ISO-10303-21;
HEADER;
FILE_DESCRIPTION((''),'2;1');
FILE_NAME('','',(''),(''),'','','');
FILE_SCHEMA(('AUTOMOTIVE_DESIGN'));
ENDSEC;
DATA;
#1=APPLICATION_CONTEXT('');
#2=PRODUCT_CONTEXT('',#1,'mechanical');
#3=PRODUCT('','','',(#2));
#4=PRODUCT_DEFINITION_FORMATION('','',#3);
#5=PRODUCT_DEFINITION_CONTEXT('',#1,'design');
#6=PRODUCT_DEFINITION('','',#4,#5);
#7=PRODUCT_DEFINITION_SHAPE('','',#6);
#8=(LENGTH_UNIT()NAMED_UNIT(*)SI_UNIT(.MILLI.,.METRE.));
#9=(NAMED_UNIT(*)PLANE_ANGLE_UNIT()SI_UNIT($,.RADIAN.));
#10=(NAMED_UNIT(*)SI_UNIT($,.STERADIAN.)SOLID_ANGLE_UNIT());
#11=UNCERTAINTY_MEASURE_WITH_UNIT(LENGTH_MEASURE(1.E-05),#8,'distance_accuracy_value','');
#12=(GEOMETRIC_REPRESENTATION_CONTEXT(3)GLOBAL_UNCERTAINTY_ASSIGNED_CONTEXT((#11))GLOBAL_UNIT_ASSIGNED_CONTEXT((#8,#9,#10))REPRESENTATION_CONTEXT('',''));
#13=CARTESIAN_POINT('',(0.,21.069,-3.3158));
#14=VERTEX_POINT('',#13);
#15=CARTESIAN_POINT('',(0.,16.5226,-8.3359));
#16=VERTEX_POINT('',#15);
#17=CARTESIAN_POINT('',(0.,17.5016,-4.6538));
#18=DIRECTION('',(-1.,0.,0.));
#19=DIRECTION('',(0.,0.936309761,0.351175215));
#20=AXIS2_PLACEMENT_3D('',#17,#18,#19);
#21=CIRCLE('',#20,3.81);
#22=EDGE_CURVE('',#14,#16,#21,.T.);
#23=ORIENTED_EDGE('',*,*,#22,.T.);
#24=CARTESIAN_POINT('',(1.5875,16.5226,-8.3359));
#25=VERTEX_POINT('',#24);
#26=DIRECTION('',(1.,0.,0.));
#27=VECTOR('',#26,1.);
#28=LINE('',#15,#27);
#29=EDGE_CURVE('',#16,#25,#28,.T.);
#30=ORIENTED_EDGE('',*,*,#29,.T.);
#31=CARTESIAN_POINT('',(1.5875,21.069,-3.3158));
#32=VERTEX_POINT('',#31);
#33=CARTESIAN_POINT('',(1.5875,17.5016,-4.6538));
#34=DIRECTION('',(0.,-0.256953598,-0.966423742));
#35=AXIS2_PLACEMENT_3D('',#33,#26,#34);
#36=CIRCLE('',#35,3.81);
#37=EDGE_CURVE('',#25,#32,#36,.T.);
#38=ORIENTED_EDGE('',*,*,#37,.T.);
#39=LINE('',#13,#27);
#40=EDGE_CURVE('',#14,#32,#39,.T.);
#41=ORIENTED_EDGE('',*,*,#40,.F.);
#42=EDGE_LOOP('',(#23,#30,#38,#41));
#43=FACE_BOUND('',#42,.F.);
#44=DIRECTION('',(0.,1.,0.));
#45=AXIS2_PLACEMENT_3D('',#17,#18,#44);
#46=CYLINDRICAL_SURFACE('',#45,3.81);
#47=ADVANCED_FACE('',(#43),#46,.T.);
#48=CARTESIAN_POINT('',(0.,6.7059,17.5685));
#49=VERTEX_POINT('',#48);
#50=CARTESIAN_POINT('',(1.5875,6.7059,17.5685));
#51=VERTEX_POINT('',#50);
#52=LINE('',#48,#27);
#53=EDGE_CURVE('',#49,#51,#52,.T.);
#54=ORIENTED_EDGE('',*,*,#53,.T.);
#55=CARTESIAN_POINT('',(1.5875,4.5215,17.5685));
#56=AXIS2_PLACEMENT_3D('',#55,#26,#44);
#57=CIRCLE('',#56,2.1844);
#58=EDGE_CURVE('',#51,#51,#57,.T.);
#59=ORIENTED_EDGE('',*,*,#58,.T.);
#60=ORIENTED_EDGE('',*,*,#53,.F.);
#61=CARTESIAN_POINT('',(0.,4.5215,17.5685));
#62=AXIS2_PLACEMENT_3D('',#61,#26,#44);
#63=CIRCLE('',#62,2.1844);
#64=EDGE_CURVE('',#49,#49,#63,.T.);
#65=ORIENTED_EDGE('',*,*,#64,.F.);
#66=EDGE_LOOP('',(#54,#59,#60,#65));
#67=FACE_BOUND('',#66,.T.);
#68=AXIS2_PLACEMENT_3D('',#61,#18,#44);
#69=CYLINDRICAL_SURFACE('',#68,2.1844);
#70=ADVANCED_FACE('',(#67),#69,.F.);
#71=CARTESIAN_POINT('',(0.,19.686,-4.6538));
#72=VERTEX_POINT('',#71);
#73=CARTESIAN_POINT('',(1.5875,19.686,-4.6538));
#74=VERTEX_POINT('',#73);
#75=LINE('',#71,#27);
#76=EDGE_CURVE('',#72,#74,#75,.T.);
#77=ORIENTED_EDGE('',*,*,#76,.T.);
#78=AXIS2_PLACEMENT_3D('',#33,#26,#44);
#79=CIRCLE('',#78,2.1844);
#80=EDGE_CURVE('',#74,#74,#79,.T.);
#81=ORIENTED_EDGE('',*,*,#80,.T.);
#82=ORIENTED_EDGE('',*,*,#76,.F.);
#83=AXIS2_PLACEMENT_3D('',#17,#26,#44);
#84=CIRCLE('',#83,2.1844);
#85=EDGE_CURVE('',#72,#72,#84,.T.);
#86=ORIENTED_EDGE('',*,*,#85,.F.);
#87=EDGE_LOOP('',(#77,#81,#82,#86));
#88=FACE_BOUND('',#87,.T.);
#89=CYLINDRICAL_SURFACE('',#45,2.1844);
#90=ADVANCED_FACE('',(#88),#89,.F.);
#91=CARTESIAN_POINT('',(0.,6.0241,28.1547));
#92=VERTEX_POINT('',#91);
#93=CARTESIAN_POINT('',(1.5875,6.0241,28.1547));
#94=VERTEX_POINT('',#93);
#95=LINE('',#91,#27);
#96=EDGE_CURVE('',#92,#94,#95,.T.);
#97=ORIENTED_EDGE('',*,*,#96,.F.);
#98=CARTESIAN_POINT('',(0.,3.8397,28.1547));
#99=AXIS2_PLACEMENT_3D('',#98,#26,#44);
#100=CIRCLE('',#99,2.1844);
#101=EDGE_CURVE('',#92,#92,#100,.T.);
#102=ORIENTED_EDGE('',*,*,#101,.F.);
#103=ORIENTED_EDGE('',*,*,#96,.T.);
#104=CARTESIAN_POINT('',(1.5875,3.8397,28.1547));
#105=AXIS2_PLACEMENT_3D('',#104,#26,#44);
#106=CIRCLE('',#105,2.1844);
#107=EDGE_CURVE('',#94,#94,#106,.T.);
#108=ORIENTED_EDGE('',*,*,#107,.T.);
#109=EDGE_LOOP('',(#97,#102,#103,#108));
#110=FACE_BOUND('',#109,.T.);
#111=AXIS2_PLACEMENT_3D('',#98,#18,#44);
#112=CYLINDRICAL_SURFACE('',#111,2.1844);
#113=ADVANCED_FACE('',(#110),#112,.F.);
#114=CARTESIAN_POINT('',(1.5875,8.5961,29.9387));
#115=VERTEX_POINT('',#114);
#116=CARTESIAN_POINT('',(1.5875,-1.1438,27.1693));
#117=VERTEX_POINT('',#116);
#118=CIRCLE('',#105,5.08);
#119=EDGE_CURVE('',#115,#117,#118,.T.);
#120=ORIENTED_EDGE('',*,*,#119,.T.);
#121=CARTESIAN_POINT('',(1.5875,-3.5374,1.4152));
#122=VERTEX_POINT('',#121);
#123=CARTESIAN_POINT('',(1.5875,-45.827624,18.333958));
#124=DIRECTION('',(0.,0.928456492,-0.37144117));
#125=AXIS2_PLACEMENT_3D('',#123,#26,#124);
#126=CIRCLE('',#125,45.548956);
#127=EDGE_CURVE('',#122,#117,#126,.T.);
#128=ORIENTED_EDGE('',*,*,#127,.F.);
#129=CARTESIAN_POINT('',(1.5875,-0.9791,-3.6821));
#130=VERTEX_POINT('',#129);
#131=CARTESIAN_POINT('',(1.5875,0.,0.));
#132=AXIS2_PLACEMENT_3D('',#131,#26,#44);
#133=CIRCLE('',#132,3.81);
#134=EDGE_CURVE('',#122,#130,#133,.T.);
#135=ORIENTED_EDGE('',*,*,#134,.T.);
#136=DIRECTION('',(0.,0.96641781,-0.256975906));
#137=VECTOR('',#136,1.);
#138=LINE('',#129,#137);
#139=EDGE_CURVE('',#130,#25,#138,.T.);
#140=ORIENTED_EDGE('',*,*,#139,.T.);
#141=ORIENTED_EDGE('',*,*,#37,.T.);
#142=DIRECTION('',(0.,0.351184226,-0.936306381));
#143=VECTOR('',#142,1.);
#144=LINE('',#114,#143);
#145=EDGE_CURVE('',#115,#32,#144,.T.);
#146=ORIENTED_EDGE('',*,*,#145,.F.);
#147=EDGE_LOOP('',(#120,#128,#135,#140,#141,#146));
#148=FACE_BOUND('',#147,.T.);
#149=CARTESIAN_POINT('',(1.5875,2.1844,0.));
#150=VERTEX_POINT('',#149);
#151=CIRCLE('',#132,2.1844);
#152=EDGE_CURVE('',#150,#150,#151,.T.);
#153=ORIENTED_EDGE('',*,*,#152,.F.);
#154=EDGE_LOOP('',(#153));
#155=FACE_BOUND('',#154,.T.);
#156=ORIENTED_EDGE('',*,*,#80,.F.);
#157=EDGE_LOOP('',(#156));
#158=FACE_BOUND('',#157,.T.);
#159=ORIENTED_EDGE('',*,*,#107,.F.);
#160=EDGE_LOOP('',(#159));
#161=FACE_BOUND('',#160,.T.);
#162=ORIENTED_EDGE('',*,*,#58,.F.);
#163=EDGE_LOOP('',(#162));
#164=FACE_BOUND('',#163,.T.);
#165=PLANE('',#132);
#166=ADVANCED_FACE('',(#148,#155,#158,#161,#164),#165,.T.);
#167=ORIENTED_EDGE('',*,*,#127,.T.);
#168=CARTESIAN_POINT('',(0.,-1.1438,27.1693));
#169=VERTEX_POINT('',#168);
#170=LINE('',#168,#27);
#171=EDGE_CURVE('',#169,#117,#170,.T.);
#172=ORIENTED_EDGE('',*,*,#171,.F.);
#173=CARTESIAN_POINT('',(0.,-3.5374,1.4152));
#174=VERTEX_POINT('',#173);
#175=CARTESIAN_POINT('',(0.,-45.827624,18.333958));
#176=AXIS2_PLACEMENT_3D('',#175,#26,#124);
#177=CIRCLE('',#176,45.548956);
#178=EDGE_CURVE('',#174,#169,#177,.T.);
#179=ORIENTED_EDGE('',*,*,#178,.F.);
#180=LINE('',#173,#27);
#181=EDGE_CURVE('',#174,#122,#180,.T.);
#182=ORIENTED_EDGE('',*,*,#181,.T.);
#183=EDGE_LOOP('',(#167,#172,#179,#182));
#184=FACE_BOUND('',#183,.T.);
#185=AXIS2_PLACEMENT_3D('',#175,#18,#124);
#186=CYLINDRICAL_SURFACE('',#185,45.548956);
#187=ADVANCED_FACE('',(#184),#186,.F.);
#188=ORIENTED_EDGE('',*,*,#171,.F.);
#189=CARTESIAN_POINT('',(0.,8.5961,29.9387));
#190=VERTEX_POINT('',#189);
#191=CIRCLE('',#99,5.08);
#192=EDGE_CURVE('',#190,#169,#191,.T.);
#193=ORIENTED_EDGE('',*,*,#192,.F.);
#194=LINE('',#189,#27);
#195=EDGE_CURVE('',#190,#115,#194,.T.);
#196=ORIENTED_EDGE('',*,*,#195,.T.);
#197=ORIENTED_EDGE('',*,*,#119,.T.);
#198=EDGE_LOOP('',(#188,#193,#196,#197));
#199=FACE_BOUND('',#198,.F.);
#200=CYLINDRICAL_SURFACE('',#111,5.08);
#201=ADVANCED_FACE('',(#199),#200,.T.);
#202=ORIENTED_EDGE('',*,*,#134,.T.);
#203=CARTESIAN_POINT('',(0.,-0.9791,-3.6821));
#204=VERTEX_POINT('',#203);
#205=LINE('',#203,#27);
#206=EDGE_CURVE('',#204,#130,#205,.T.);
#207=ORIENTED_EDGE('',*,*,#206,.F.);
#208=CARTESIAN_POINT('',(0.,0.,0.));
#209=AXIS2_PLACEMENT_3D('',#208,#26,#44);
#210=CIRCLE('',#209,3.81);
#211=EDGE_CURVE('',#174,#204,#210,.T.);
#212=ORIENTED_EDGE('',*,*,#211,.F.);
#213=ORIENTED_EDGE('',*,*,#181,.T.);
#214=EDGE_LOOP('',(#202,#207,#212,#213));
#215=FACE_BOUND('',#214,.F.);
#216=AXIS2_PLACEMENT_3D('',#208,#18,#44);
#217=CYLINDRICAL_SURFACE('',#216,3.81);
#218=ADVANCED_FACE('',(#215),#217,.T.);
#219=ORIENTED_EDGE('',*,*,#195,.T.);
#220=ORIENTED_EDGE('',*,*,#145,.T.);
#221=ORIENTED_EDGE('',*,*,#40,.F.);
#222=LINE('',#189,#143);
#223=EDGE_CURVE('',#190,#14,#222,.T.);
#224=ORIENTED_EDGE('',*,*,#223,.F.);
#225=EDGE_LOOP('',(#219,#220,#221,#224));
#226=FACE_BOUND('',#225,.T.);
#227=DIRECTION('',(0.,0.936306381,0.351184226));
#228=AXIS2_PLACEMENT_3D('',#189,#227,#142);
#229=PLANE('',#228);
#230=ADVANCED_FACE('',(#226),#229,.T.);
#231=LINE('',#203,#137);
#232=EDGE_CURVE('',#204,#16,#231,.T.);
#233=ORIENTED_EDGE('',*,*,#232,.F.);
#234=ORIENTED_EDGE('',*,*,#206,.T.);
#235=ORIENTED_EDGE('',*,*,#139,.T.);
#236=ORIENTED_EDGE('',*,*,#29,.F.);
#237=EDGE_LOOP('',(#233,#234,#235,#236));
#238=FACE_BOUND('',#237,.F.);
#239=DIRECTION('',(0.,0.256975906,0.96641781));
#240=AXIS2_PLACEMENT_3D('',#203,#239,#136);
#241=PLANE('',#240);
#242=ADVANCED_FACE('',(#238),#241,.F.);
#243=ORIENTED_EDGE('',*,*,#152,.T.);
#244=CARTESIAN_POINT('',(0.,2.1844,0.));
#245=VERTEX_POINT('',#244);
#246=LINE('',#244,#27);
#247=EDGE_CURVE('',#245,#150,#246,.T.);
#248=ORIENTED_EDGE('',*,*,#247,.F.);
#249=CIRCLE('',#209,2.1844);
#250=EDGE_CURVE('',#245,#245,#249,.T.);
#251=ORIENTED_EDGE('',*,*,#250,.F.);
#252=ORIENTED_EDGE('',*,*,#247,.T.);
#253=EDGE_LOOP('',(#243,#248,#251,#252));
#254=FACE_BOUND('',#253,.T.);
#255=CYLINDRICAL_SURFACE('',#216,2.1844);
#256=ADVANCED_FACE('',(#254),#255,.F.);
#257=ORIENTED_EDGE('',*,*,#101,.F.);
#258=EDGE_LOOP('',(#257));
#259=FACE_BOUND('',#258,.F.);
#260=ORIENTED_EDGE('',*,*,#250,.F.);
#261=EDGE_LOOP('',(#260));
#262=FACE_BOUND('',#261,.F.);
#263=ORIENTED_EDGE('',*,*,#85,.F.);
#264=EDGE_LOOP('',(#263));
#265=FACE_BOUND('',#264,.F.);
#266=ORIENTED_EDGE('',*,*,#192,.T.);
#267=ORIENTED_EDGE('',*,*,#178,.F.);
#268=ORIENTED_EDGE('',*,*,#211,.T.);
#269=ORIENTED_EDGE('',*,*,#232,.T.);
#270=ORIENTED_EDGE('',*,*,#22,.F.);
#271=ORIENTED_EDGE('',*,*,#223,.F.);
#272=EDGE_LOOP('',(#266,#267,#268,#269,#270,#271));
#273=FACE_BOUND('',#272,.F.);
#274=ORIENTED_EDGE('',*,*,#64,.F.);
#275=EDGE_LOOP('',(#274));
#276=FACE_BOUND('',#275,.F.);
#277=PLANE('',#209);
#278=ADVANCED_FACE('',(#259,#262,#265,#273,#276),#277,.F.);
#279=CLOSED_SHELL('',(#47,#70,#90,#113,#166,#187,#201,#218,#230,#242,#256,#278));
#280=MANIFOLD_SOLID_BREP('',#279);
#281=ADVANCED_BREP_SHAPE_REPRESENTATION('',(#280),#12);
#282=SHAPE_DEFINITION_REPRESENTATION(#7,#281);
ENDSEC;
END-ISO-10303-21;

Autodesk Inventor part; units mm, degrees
ref_plane "YZ Plane" through (0, 0, 0) normal (1, 0, 0) x (0, 1, 0)
ref_plane "XZ Plane" through (0, 0, 0) normal (0, 1, 0) x (-1, 0, 0)
ref_plane "XY Plane" through (0, 0, 0) normal (0, 0, 1) x (1, 0, 0)
sketch "Sketch1" plane through (0, 0, 0) normal (1, 0, 0) x (0, 1, 0)
  circle A0 centre (0, 0) radius 2.1844
  circle A1 centre (0, 0) radius 3.81
  circle A2 centre (3.8397, 28.1547) radius 2.1844
  circle A3 centre (3.8397, 28.1547) radius 5.08
  line L0 (0, 0) -> (16.51, 0) construction
  circle A4 centre (17.5016, -4.6538) radius 2.1844
  line L1 (0, 0) -> (16.51, 0) construction
  circle A5 centre (4.5215, 17.5685) radius 2.1844
  circle A6 centre (4.5215, 17.5685) radius 3.81
  circle A7 centre (17.5016, -4.6538) radius 3.81
  line L2 (0, 0) -> (12.7, 0) construction
  line L3 (-0.9791, -3.6821) -> (16.5226, -8.3359)
  line L4 (8.5961, 29.9387) -> (21.069, -3.3158)
  arc A8 (-3.5374, 1.4152) -> (-1.1438, 27.1693) centre (-45.8278, 18.334) ccw
  point P0 (-1.2195, 28.6143)
  point P1 (-3.7944, 0.3447)
  dimension "d0" = 4.3688
  dimension "d1" = 7.62
  dimension "d3" = 4.3688
  dimension "d4" = 10.16
  dimension "d8" = 4.3688
  dimension "d11" = 4.3688
  dimension "d12" = 7.62
  dimension "d13" = 7.62
extrude "Extrusion1" add sketch "Sketch1" along normal blind 1.5875 contours A1 | A1 A8 A3 L4 A7 L3 | A3 | A7 | A6
properties part number "rotationmount"
